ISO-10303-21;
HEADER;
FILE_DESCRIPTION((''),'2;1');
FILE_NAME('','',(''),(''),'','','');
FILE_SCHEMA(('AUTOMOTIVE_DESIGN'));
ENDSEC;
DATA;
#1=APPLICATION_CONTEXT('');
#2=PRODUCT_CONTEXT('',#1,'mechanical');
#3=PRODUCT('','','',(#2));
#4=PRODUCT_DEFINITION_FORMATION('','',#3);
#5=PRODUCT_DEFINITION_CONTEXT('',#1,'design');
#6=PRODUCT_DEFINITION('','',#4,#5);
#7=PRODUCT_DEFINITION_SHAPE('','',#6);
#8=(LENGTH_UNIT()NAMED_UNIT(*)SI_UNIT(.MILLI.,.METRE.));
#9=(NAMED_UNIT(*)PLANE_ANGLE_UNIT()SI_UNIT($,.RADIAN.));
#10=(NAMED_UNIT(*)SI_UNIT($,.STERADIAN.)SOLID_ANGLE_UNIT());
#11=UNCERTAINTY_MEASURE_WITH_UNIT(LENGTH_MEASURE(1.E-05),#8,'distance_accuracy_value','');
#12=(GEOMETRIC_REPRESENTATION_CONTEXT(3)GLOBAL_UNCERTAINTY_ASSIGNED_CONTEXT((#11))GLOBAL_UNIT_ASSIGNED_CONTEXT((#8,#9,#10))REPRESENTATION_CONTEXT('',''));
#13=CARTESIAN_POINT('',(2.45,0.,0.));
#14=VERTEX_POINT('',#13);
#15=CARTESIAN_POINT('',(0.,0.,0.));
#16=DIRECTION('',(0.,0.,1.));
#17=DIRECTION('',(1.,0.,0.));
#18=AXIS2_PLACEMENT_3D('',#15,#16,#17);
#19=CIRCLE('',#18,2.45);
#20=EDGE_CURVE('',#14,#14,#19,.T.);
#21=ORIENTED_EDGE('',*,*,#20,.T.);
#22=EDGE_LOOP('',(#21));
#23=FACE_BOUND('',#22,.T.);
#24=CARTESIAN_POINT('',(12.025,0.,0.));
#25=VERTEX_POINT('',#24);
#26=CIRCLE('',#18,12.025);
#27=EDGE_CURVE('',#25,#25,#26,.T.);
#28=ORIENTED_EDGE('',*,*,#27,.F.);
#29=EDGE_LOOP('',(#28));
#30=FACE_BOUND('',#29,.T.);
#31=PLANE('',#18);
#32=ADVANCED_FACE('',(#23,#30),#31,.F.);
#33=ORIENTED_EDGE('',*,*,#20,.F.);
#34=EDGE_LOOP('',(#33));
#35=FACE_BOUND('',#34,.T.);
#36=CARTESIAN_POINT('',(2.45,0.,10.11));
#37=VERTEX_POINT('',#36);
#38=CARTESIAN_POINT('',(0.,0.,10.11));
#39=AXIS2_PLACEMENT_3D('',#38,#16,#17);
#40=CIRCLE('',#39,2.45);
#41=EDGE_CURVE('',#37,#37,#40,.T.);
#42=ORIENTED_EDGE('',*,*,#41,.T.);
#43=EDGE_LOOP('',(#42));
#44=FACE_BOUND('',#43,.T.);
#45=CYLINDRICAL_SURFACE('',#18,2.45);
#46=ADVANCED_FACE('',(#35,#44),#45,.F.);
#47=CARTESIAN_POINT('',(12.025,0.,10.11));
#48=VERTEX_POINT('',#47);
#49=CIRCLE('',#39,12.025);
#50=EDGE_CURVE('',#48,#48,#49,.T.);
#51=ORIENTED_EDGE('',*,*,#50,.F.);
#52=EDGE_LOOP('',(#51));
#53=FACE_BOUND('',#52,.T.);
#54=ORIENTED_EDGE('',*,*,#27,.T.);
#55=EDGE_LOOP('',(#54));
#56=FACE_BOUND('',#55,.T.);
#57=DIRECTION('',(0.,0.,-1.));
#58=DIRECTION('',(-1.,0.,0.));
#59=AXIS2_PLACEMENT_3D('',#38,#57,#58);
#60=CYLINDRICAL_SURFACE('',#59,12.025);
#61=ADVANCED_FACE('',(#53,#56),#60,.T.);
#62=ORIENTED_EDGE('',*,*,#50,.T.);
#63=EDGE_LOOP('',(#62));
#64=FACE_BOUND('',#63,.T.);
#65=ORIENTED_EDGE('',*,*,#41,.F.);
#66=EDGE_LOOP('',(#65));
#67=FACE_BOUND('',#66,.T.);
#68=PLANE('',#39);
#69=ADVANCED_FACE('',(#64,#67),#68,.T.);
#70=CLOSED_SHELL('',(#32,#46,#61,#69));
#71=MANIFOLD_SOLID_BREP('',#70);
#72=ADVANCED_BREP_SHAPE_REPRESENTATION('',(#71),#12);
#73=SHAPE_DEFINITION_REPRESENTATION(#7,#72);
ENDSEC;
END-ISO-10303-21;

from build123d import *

# Parameters (mm, degrees)
SKETCH1_R           = 12.025
BOSS_EXTRUDE1_DEPTH = 10.11
SKETCH2_R           = 2.45
CUT_EXTRUDE1_DEPTH  = 10.11


with BuildPart() as part:
    # Sketch1 → Boss-Extrude1 (new body)
    with BuildSketch(Plane.XY):
        Circle(SKETCH1_R)
    extrude(amount=BOSS_EXTRUDE1_DEPTH)

    # Sketch2 → Cut-Extrude1 (cut)
    with BuildSketch(Plane.XY.offset(10.11)):
        Circle(SKETCH2_R)
    extrude(amount=-CUT_EXTRUDE1_DEPTH, mode=Mode.SUBTRACT)


solid = part.part
